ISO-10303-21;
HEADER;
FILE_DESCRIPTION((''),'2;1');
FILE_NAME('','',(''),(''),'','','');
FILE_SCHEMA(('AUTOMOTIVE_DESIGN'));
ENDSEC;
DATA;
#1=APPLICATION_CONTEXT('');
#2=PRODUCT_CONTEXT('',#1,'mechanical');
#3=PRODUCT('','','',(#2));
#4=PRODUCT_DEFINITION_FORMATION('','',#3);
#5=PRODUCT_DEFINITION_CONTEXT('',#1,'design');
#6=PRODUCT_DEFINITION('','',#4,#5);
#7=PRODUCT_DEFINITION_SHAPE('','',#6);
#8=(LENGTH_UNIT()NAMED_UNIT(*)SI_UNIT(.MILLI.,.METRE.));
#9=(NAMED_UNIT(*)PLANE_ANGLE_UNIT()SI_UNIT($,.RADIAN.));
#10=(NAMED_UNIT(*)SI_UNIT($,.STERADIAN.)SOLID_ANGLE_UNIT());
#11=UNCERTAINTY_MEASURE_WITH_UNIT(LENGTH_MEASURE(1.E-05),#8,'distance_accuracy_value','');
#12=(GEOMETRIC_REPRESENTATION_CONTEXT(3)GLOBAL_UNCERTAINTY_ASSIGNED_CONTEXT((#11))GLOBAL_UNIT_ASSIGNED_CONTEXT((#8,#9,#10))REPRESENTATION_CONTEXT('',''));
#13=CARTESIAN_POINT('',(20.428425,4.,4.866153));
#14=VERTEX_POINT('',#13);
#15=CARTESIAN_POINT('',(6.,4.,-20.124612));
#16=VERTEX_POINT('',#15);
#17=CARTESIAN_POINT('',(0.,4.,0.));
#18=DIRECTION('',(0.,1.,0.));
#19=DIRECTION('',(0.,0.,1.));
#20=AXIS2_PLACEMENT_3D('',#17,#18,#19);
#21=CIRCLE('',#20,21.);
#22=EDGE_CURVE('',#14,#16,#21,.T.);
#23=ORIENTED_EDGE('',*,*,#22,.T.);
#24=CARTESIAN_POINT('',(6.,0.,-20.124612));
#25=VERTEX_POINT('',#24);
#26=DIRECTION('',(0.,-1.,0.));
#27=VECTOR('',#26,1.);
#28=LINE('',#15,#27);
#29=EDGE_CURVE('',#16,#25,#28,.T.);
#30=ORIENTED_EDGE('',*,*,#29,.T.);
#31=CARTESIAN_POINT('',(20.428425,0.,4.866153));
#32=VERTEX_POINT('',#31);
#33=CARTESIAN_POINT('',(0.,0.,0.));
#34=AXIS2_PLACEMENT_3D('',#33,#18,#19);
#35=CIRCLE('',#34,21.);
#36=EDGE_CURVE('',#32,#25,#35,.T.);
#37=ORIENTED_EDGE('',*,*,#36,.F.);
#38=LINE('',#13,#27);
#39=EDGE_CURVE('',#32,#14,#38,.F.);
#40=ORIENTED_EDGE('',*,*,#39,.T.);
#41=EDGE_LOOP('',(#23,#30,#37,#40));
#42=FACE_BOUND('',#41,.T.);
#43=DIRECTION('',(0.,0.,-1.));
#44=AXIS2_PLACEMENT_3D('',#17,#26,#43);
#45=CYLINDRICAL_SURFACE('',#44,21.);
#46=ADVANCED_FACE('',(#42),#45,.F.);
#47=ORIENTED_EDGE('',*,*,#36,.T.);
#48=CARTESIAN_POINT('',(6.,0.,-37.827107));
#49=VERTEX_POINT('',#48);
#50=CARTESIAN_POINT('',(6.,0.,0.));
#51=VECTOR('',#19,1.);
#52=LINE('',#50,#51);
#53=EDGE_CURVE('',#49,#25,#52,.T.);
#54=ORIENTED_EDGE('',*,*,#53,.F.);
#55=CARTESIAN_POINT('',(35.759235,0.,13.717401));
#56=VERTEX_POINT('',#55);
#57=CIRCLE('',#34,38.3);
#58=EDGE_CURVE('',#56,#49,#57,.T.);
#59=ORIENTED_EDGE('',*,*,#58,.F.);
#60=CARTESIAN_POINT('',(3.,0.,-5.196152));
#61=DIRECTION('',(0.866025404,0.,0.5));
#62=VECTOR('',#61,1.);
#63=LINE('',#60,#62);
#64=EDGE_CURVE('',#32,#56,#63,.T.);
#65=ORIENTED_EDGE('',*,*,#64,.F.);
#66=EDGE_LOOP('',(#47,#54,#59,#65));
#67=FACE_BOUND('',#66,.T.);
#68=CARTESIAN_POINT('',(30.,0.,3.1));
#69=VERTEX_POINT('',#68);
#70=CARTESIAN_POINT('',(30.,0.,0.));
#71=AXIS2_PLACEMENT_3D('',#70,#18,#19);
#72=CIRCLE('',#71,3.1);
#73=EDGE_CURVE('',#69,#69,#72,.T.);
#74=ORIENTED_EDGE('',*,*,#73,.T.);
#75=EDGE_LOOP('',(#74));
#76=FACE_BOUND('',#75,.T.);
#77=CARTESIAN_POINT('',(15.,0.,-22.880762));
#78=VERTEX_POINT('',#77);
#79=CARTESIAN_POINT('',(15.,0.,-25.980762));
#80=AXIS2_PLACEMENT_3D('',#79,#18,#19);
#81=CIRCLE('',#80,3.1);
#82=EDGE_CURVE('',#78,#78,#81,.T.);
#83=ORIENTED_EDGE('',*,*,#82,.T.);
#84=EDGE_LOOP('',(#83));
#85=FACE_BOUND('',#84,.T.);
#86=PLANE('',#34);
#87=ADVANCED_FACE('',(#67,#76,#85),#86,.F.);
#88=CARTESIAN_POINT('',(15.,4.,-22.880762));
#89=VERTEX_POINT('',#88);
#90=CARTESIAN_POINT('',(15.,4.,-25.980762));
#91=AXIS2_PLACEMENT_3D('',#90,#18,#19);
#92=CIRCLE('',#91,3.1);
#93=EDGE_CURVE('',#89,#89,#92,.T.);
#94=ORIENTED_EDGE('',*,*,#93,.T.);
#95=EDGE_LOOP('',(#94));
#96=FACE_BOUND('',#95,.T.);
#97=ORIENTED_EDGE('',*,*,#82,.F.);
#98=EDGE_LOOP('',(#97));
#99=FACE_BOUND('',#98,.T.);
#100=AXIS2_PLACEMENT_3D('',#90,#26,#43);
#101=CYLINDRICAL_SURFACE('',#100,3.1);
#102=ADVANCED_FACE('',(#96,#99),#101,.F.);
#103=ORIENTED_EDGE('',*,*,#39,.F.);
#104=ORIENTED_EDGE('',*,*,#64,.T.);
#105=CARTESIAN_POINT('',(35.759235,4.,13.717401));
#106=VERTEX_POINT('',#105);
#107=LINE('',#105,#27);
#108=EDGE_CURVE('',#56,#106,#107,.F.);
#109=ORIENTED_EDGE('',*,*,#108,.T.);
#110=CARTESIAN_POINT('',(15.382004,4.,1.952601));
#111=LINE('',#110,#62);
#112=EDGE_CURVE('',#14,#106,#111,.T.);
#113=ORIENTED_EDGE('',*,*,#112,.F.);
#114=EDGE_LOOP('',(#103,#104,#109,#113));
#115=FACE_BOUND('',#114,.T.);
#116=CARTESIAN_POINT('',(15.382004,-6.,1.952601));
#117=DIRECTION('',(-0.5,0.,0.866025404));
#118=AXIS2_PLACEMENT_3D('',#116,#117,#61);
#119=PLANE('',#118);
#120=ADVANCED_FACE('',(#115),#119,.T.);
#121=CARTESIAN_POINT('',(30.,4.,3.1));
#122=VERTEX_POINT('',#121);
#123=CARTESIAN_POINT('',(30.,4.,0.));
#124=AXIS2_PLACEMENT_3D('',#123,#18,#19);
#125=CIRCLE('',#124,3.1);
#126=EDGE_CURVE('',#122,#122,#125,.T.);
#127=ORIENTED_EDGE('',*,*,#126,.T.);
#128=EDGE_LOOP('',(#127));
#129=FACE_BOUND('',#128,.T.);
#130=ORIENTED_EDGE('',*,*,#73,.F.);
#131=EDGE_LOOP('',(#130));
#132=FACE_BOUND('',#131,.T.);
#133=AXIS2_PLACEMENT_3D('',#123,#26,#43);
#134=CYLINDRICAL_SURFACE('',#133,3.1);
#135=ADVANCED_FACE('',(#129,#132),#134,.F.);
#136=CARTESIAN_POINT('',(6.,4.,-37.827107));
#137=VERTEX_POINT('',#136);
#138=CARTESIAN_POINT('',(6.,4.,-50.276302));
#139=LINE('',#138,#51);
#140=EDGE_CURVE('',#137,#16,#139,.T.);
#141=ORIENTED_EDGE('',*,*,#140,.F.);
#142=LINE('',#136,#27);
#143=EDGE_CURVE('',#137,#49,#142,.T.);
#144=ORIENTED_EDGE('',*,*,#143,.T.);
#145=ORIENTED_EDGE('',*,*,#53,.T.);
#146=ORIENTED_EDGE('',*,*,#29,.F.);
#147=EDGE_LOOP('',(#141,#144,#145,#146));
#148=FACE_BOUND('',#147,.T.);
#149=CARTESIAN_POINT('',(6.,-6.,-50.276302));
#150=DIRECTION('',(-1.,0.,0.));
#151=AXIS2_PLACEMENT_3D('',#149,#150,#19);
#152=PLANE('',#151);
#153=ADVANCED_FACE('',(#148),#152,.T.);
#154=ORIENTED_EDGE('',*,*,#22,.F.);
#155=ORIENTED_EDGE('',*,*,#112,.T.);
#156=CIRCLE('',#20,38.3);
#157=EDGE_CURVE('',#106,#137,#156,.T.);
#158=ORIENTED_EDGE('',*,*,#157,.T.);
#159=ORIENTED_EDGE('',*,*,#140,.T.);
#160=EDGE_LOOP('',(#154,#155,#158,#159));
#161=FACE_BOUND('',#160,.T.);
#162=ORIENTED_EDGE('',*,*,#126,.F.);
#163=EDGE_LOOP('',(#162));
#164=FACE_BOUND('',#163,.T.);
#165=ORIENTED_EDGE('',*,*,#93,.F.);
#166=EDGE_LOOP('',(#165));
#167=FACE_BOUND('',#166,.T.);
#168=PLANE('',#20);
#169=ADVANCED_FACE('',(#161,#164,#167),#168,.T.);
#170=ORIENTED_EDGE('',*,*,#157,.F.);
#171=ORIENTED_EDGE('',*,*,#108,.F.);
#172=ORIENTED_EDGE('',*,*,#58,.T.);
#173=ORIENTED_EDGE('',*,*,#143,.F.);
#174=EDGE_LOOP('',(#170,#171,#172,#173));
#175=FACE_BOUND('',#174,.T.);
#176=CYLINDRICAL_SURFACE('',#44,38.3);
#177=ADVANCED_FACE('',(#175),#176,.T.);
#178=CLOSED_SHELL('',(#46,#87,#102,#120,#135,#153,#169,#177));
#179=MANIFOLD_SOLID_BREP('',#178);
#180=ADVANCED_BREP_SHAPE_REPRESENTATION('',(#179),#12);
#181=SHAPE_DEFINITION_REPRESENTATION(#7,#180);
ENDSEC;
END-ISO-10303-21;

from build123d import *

# Parameters (mm, degrees)
SKETCH1_R           = 38.3
SKETCH1_R_2         = 3.1
SKETCH1_R_3         = 21
BOSS_EXTRUDE1_DEPTH = 4
CUT_EXTRUDE1_DEPTH  = 10


with BuildPart() as part:
    # Sketch1 → Boss-Extrude1 (new body)
    with BuildSketch(Plane(origin=(0, 0, 0), x_dir=(1, 0, 0), z_dir=(0, 1, 0))):
        with Locations(Location((0, 0, 0), (0, 0, 270))):
            Circle(SKETCH1_R)
        with Locations(Location((30, 0, 0), (0, 0, 270))):
            Circle(SKETCH1_R_2, mode=Mode.SUBTRACT)
        with Locations(Location((0, 0, 0), (0, 0, 270))):
            Circle(SKETCH1_R_3, mode=Mode.SUBTRACT)
        with Locations(Location((15, -25.980762114, 0), (0, 0, 270))):
            Circle(SKETCH1_R_2, mode=Mode.SUBTRACT)
        with Locations(Location((-15, -25.980762114, 0), (0, 0, 270))):
            Circle(SKETCH1_R_2, mode=Mode.SUBTRACT)
        with Locations(Location((-30, 0, 0), (0, 0, 270))):
            Circle(SKETCH1_R_2, mode=Mode.SUBTRACT)
        with Locations(Location((-15, 25.980762114, 0), (0, 0, 270))):
            Circle(SKETCH1_R_2, mode=Mode.SUBTRACT)
        with Locations(Location((15, 25.980762114, 0), (0, 0, 270))):
            Circle(SKETCH1_R_2, mode=Mode.SUBTRACT)
    extrude(amount=BOSS_EXTRUDE1_DEPTH)

    # Sketch2 → Cut-Extrude1 (cut)
    with BuildSketch(Plane(origin=(0, 4, 0), x_dir=(1, 0, 0), z_dir=(0, 1, 0))):
        with BuildLine():
            Line((6, 50.276302336), (6, 14.297506921))
            ThreePointArc((6, 14.297506921), (13.428105902, 7.752720557), (15.382004204, -1.952601038))
            Line((15.382004204, -1.952601038), (46.540555031, -19.941998745))
            ThreePointArc((46.540555031, -19.941998745), (-43.84951462, -25.31652907), (6, 50.276302336))
        make_face()
    extrude(amount=-CUT_EXTRUDE1_DEPTH, mode=Mode.SUBTRACT)


solid = part.part
